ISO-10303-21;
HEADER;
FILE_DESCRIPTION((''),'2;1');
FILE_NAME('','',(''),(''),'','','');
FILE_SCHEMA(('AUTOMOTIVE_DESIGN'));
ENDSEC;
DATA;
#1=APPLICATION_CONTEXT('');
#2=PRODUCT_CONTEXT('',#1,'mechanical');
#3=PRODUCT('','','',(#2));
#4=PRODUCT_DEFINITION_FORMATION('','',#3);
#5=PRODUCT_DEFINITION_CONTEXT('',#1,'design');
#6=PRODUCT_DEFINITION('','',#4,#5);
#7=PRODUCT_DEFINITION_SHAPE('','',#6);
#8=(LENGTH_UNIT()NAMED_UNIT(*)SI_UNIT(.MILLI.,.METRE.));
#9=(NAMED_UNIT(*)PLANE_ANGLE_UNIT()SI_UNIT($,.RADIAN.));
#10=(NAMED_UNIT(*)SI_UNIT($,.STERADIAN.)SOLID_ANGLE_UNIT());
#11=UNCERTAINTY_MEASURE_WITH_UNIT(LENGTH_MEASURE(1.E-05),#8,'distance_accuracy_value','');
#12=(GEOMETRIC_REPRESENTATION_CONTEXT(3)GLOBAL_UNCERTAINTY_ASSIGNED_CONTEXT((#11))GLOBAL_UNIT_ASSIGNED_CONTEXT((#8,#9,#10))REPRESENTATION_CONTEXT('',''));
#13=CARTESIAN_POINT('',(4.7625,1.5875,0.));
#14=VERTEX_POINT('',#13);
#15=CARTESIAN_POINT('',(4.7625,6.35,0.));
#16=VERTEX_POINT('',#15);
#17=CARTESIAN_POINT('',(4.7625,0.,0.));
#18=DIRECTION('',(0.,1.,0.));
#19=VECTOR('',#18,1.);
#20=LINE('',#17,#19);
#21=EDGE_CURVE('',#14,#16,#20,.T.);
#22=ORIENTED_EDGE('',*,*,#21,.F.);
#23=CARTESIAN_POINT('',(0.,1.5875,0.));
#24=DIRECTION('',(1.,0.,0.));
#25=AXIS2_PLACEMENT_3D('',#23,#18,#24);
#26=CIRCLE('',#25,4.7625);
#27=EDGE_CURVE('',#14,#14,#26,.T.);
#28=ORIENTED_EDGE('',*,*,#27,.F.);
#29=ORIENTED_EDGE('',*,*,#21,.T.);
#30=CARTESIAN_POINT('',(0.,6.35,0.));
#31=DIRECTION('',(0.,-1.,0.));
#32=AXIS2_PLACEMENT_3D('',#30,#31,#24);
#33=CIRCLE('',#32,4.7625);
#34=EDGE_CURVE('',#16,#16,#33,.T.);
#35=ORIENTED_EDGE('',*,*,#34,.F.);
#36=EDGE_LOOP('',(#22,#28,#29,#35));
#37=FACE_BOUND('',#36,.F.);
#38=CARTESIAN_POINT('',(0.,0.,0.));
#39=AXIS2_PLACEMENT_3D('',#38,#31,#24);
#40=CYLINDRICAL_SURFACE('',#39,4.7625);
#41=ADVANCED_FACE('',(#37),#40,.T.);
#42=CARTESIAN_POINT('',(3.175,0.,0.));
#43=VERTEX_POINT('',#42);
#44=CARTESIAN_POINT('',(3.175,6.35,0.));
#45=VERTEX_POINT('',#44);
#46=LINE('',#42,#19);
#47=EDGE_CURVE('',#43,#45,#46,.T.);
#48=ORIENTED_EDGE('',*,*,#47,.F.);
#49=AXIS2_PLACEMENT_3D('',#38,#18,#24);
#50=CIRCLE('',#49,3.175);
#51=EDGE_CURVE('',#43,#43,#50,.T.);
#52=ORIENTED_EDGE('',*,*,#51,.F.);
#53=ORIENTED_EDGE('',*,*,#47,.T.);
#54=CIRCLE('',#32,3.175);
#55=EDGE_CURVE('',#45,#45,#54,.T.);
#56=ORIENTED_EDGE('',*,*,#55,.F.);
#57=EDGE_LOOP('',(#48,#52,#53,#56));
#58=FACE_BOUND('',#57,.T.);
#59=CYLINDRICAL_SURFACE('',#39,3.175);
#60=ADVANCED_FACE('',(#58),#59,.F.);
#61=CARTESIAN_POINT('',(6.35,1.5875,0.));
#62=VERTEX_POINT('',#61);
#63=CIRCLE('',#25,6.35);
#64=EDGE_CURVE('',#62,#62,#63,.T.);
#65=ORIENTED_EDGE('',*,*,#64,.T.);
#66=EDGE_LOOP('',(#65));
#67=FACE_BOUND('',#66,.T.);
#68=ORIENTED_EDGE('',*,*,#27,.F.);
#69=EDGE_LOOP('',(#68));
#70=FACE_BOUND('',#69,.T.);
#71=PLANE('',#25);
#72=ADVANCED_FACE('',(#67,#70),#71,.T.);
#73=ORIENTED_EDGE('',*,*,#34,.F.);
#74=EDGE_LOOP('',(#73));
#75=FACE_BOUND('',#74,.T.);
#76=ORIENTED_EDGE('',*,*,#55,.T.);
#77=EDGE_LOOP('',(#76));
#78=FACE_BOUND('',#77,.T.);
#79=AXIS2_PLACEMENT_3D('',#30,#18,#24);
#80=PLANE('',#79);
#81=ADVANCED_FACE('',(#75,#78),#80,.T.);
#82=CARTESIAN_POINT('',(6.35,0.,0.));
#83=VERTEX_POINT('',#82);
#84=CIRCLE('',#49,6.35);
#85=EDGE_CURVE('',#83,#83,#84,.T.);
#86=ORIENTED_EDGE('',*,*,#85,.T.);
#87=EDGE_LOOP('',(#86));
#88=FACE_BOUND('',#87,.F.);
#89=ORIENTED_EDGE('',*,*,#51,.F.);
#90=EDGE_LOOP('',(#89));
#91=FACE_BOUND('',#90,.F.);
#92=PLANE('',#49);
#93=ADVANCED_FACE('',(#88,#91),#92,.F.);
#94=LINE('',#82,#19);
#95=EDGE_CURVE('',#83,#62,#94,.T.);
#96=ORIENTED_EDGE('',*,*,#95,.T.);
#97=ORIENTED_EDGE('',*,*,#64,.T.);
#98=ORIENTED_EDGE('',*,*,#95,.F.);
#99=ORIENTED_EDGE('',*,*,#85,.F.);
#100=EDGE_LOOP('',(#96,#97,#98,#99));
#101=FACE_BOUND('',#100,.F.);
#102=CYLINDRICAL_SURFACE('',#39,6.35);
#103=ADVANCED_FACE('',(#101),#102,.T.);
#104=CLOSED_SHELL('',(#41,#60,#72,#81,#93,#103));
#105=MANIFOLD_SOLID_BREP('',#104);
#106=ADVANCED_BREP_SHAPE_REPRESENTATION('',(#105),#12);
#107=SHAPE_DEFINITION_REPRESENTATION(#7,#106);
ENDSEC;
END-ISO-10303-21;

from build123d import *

# Parameters (mm, degrees)
SKETCH2_R           = 4.7625
SKETCH2_R_2         = 3.175
BOSS_EXTRUDE1_DEPTH = 9.525
SKETCH3_R           = 6.35
SKETCH3_R_2         = 4.7625
BOSS_EXTRUDE2_DEPTH = 1.5875
SKETCH4_R           = 6.35
CUT_EXTRUDE1_DEPTH  = 3.175


with BuildPart() as part:
    # Sketch2 → Boss-Extrude1 (new body)
    with BuildSketch(Plane(origin=(0, 0, 0), x_dir=(1, 0, 0), z_dir=(0, 1, 0))):
        Circle(SKETCH2_R)
        Circle(SKETCH2_R_2, mode=Mode.SUBTRACT)
    extrude(amount=BOSS_EXTRUDE1_DEPTH)

    # Sketch3 → Boss-Extrude2 (add)
    with BuildSketch(Plane(origin=(0, 0, 0), x_dir=(1, 0, 0), z_dir=(0, 1, 0))):
        Circle(SKETCH3_R)
        Circle(SKETCH3_R_2, mode=Mode.SUBTRACT)
    extrude(amount=BOSS_EXTRUDE2_DEPTH)

    # Sketch4 → Cut-Extrude1 (cut)
    with BuildSketch(Plane(origin=(0, 9.525, 0), x_dir=(1, 0, 0), z_dir=(0, 1, 0))):
        Circle(SKETCH4_R)
    extrude(amount=-CUT_EXTRUDE1_DEPTH, mode=Mode.SUBTRACT)


solid = part.part
